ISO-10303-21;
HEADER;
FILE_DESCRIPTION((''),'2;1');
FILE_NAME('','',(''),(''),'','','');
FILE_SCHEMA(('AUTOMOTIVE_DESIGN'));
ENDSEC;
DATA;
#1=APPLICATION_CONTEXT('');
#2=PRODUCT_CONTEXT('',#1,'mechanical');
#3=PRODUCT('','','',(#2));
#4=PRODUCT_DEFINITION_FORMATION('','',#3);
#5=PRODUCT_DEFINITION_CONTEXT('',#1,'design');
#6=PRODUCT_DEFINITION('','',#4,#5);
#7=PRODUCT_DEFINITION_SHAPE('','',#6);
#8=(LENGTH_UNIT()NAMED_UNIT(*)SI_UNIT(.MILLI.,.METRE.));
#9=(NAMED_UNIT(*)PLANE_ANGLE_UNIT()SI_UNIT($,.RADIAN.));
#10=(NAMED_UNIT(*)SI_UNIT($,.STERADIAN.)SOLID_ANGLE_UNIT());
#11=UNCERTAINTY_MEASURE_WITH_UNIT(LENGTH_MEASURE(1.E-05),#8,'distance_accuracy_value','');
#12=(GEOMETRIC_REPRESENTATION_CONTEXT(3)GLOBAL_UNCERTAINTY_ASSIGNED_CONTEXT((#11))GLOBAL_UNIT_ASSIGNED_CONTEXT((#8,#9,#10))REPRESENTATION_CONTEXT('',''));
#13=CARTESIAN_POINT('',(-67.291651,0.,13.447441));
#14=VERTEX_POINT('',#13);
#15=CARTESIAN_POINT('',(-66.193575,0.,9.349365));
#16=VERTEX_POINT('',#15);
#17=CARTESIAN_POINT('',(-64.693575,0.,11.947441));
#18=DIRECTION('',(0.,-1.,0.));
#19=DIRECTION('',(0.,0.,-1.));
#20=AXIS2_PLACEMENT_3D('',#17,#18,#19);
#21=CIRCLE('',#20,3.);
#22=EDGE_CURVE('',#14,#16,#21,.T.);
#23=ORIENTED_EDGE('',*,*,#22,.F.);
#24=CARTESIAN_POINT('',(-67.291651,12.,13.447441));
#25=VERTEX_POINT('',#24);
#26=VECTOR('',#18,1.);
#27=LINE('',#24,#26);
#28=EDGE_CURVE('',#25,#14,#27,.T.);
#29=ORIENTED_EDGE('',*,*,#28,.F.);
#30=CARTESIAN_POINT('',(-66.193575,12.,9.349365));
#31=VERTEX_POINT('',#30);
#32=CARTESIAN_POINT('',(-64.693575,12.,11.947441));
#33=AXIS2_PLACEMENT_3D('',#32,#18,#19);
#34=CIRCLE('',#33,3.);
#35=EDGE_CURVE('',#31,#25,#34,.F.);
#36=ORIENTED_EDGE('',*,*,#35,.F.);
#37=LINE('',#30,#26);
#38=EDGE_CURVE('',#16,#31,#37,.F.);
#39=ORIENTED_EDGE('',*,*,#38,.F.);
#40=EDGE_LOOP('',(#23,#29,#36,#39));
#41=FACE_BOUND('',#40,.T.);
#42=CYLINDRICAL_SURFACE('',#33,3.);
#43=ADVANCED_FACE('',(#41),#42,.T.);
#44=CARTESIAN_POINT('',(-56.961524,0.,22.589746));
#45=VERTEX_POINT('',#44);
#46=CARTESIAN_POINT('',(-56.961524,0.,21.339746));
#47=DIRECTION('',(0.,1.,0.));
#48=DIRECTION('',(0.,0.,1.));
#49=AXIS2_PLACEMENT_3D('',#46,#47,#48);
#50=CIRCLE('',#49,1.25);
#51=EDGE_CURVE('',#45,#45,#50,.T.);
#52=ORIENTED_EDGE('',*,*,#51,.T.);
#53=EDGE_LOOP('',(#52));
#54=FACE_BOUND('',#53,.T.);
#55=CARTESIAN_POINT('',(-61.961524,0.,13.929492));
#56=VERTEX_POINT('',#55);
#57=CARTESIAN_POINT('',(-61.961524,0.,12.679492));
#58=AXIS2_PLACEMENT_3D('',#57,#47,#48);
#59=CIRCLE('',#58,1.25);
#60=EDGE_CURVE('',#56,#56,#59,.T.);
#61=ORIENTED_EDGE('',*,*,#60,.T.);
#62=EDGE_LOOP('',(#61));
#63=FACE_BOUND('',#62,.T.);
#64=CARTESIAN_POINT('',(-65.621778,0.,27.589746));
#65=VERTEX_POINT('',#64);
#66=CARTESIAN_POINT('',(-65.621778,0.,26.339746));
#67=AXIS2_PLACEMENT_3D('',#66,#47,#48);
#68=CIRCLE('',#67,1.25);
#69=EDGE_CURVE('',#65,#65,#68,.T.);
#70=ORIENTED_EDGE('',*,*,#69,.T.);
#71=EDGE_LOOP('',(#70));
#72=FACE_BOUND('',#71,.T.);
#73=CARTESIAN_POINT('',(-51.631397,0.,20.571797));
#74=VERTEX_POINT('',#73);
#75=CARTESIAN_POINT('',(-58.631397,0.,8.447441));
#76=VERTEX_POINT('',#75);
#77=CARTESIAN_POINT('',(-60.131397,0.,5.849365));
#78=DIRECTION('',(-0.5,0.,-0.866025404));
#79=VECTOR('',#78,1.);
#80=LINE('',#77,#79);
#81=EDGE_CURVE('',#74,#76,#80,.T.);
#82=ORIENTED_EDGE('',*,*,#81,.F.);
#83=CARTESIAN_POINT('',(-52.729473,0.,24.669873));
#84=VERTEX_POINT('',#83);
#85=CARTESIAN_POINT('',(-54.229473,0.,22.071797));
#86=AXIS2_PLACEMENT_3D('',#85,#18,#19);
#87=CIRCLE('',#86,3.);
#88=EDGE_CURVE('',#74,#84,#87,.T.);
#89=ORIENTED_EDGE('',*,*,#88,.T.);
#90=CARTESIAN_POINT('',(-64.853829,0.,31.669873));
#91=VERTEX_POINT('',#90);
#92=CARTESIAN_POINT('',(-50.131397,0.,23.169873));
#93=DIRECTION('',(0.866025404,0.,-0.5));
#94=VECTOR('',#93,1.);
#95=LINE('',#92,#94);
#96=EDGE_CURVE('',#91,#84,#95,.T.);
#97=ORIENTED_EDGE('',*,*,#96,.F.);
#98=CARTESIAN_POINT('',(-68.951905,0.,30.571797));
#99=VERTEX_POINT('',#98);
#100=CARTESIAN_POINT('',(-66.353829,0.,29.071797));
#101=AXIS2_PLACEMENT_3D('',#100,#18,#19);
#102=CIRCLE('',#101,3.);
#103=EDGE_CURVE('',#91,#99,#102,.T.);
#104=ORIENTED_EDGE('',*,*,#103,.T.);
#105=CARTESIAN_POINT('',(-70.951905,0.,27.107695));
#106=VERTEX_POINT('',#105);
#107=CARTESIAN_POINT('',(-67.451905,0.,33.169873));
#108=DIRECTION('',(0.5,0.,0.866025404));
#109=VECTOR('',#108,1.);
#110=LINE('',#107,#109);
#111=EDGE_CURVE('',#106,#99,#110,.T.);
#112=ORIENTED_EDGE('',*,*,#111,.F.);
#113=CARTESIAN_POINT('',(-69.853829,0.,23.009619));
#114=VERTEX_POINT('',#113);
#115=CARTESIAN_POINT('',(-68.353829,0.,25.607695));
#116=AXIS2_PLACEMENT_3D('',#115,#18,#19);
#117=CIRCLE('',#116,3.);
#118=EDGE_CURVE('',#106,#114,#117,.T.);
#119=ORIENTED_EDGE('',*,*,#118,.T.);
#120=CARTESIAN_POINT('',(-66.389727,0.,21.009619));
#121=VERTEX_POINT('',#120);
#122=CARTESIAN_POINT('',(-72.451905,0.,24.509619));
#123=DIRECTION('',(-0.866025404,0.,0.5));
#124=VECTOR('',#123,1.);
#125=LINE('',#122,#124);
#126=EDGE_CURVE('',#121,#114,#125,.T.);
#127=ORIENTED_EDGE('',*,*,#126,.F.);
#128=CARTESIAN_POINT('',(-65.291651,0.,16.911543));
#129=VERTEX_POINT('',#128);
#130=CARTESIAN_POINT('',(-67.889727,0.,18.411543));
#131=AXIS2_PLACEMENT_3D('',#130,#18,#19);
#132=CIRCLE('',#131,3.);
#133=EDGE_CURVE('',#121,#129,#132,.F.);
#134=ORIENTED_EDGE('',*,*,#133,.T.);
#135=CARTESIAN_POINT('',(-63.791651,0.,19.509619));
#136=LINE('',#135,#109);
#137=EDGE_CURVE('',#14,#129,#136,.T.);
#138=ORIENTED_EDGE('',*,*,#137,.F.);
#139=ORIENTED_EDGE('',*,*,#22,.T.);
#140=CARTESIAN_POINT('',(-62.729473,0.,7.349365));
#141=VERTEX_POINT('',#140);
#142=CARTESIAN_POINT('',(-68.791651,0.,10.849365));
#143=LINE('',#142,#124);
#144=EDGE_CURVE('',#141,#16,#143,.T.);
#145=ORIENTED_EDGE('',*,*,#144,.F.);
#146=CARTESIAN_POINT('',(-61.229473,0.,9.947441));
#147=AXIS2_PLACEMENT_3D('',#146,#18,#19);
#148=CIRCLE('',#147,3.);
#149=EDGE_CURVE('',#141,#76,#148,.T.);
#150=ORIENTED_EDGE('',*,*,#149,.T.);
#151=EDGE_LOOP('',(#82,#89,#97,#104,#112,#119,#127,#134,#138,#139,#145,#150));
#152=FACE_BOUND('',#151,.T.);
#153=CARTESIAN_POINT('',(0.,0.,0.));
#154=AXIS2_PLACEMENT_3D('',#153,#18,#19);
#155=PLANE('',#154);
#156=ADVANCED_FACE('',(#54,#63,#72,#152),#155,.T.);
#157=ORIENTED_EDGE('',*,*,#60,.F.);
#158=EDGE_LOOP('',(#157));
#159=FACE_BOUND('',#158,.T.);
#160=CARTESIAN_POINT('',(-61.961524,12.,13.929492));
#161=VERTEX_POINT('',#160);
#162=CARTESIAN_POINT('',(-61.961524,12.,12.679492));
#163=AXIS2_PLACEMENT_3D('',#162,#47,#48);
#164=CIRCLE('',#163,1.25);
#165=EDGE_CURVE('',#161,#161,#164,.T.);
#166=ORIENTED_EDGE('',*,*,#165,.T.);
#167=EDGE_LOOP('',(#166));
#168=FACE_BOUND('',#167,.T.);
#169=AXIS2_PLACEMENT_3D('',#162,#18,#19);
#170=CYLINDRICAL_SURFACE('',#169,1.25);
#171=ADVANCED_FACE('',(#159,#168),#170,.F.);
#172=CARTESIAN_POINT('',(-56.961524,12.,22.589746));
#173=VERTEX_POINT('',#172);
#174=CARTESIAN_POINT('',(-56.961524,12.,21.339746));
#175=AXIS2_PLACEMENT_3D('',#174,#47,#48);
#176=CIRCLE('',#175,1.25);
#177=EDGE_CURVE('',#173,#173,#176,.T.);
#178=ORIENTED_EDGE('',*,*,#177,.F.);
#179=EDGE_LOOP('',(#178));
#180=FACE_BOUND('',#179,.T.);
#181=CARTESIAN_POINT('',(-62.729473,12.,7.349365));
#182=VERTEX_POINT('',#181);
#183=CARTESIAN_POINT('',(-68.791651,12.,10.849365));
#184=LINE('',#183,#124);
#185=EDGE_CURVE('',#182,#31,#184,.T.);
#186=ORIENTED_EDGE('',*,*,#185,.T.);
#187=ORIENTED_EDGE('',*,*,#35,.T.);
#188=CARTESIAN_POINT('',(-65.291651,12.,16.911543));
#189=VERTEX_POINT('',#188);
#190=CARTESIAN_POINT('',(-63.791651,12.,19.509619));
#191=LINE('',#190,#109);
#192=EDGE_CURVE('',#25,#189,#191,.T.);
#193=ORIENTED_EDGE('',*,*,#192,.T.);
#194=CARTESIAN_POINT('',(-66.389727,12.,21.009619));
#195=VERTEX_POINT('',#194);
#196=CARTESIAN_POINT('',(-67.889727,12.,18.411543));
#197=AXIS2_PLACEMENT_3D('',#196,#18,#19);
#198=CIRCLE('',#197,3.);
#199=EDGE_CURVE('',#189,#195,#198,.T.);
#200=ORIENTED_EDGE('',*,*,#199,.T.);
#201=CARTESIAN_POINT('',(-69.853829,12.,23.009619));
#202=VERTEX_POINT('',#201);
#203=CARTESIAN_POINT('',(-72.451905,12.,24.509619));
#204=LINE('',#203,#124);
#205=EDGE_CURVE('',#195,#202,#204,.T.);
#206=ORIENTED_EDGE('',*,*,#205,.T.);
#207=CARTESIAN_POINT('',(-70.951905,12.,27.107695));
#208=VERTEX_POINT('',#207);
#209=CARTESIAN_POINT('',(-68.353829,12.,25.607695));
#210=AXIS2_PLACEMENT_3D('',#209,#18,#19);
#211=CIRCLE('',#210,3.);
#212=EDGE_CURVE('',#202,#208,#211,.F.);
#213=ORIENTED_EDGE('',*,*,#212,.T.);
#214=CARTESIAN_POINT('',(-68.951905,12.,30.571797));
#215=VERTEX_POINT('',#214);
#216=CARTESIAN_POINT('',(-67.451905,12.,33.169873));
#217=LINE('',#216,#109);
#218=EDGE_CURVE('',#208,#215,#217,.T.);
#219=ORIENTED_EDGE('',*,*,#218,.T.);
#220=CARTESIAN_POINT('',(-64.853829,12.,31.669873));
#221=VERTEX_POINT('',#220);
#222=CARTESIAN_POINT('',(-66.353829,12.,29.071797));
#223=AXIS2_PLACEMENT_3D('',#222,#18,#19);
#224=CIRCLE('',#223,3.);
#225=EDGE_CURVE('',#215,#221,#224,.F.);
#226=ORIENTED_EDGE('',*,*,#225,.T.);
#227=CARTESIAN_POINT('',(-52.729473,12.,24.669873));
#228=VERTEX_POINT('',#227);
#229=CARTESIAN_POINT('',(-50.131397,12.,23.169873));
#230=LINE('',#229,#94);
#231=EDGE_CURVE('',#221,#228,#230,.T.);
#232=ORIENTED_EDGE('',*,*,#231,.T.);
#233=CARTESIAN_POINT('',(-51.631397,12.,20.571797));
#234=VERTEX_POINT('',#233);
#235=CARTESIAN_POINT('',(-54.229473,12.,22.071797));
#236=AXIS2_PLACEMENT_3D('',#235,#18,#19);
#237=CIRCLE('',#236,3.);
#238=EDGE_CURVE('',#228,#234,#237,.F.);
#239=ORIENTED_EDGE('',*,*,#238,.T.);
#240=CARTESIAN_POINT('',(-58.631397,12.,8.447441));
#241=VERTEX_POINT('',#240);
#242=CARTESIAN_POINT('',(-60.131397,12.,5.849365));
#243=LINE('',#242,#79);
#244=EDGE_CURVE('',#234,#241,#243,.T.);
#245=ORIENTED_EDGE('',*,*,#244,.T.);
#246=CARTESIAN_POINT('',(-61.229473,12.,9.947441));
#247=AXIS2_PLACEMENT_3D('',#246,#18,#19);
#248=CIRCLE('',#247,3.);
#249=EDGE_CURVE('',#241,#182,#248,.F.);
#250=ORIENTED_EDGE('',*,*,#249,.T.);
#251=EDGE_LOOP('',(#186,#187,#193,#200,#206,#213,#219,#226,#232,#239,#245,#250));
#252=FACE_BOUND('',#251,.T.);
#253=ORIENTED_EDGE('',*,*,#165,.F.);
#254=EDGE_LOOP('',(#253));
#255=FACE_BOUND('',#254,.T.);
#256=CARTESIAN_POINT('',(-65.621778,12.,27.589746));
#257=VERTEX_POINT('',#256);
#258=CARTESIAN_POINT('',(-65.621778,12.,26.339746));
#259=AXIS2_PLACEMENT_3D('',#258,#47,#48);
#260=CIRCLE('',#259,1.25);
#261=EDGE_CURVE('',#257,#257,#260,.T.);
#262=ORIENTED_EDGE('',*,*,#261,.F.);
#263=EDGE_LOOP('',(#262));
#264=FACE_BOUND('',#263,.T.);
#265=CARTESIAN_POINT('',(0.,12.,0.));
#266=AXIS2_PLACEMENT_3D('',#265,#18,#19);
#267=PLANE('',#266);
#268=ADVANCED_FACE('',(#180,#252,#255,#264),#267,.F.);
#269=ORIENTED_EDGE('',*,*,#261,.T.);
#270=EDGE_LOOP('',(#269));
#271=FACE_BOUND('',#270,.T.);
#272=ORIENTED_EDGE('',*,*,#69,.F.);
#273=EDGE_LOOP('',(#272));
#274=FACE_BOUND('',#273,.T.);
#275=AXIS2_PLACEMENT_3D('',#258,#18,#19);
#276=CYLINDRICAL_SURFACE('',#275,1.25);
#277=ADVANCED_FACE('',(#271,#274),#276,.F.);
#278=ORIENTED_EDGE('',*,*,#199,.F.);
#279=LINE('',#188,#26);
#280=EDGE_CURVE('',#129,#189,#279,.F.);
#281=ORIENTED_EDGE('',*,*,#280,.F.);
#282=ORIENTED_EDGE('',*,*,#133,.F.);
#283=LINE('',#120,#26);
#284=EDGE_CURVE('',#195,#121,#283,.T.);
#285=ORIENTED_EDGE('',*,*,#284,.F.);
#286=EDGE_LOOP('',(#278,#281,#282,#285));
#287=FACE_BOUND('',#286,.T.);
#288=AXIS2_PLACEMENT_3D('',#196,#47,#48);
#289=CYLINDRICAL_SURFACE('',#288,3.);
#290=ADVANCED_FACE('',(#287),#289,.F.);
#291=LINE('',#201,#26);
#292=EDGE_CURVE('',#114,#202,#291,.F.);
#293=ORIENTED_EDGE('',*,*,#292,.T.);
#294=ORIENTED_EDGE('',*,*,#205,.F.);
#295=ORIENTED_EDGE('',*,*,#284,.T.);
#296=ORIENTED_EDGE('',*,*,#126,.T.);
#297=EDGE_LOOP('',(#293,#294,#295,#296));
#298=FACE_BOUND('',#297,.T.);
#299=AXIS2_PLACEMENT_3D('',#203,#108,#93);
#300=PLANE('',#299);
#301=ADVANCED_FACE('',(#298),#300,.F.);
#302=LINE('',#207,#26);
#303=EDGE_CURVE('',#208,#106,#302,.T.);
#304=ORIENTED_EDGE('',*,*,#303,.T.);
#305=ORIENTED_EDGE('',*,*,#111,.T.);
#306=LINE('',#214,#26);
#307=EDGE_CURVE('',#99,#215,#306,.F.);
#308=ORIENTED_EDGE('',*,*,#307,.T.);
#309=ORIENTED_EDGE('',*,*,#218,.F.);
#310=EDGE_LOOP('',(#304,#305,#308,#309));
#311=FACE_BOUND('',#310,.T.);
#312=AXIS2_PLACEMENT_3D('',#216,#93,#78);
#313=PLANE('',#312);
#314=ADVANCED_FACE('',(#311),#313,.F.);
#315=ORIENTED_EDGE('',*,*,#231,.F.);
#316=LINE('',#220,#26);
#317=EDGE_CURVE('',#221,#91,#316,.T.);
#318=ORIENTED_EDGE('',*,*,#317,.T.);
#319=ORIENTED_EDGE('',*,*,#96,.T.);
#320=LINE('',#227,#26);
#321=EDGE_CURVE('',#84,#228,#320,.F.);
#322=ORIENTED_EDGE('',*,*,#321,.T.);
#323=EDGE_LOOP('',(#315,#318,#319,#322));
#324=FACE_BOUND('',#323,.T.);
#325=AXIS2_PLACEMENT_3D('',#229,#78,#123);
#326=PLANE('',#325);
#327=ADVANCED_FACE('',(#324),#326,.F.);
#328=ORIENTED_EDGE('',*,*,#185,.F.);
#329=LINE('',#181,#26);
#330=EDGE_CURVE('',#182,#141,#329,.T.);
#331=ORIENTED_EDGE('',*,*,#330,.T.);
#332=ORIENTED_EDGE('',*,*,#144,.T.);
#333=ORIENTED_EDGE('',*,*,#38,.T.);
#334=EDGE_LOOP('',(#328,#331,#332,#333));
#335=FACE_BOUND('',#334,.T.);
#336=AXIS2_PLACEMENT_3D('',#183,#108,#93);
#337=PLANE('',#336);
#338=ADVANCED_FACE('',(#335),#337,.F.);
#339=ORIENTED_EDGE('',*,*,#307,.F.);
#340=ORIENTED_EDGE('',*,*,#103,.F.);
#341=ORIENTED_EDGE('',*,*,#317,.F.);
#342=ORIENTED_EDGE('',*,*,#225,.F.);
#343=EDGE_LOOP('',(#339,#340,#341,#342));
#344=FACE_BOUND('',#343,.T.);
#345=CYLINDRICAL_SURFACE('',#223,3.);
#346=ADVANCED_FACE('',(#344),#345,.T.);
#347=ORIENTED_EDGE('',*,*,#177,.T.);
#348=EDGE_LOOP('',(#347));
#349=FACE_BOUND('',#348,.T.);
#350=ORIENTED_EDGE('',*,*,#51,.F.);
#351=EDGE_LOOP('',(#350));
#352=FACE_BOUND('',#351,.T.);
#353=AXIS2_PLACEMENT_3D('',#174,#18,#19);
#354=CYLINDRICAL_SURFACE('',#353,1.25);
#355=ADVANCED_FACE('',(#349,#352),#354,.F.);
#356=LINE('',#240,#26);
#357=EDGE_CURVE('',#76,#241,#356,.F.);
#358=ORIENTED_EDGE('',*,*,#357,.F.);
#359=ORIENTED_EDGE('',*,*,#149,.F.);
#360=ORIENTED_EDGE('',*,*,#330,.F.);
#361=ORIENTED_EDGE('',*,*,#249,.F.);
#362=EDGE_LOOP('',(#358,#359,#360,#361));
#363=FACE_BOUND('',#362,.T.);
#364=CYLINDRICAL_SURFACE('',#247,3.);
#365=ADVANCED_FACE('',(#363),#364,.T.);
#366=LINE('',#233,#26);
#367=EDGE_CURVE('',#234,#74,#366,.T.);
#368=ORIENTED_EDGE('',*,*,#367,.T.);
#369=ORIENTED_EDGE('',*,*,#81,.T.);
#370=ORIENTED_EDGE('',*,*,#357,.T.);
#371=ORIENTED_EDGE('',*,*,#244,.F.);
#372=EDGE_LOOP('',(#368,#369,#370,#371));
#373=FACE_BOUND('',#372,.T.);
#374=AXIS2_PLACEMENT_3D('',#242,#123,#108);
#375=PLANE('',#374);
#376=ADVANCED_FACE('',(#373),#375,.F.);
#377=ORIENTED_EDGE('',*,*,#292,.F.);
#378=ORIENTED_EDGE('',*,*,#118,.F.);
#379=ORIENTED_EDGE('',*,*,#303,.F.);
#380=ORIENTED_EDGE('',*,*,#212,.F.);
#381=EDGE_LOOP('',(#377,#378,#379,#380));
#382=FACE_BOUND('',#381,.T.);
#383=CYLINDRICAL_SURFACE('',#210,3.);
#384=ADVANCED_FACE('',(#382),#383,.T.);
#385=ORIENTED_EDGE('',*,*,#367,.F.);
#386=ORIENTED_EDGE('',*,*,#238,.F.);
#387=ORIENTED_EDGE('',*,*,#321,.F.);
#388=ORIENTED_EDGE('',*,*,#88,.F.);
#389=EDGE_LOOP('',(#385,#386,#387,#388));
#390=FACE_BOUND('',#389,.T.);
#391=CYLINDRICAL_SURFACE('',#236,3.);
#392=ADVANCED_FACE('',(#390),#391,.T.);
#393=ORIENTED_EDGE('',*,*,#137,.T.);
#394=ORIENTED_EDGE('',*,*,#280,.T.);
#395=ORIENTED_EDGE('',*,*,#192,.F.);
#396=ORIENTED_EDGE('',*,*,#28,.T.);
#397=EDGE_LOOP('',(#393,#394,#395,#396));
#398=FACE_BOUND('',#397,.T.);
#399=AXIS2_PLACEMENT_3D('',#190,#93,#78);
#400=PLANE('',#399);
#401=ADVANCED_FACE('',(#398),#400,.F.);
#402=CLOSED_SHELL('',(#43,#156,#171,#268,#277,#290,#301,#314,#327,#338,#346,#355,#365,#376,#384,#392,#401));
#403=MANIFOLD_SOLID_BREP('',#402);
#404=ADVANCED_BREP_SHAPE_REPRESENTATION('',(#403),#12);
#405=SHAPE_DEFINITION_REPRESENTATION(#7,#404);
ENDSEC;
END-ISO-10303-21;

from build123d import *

# Parameters (mm, degrees)
SKETCH_3_R             = 1.25
EXTRUDE_3_DEPTH        = 12
FILLET_1_R             = 3
HOLE_WIZARD_M3_1_D     = 2.5
HOLE_WIZARD_M3_1_DEPTH = 12


with BuildPart() as part:
    # 草图3 → 凸台-拉伸3 (new body)
    with BuildSketch(Plane(origin=(0, 0, 0), x_dir=(1, 0, 0), z_dir=(0, 1, 0))):
        Polygon((-68.791651246, -10.849364905), (-60.131397208, -5.849364905), (-50.131397208, -23.169872981), (-67.451905284, -33.169872981), (-72.451905284, -24.509618943), (-63.791651246, -19.509618943), align=None)
        with Locations(Location((-56.961524227, -21.339745962, 0), (0, 0, 270))):
            Circle(SKETCH_3_R, mode=Mode.SUBTRACT)
        with Locations(Location((-61.961524227, -12.679491924, 0), (0, 0, 270))):
            Circle(SKETCH_3_R, mode=Mode.SUBTRACT)
        with Locations(Location((-65.621778265, -26.339745962, 0), (0, 0, 270))):
            Circle(SKETCH_3_R, mode=Mode.SUBTRACT)
    extrude(amount=EXTRUDE_3_DEPTH)

    # 圆角1
    fillet_1_edges = [part.edges().sort_by_distance(p)[0] for p in [
        (-68.791651246, 6, 10.849364905),
        (-60.131397208, 6, 5.849364905),
        (-50.131397208, 6, 23.169872981),
        (-67.451905284, 6, 33.169872981),
        (-72.451905284, 6, 24.509618943),
        (-63.791651246, 6, 19.509618943),
    ]]
    fillet(fillet_1_edges, radius=FILLET_1_R)

    # M3 螺纹孔1
    with Locations(Plane(origin=(-61.961524227, 12, 12.679491924), x_dir=(0, 0, 1), z_dir=(0, 1, 0))):
        with Locations((0, 0), (8.660254038, 5), (13.660254038, -3.660254038)):
            Hole(HOLE_WIZARD_M3_1_D / 2, depth=HOLE_WIZARD_M3_1_DEPTH)


solid = part.part
